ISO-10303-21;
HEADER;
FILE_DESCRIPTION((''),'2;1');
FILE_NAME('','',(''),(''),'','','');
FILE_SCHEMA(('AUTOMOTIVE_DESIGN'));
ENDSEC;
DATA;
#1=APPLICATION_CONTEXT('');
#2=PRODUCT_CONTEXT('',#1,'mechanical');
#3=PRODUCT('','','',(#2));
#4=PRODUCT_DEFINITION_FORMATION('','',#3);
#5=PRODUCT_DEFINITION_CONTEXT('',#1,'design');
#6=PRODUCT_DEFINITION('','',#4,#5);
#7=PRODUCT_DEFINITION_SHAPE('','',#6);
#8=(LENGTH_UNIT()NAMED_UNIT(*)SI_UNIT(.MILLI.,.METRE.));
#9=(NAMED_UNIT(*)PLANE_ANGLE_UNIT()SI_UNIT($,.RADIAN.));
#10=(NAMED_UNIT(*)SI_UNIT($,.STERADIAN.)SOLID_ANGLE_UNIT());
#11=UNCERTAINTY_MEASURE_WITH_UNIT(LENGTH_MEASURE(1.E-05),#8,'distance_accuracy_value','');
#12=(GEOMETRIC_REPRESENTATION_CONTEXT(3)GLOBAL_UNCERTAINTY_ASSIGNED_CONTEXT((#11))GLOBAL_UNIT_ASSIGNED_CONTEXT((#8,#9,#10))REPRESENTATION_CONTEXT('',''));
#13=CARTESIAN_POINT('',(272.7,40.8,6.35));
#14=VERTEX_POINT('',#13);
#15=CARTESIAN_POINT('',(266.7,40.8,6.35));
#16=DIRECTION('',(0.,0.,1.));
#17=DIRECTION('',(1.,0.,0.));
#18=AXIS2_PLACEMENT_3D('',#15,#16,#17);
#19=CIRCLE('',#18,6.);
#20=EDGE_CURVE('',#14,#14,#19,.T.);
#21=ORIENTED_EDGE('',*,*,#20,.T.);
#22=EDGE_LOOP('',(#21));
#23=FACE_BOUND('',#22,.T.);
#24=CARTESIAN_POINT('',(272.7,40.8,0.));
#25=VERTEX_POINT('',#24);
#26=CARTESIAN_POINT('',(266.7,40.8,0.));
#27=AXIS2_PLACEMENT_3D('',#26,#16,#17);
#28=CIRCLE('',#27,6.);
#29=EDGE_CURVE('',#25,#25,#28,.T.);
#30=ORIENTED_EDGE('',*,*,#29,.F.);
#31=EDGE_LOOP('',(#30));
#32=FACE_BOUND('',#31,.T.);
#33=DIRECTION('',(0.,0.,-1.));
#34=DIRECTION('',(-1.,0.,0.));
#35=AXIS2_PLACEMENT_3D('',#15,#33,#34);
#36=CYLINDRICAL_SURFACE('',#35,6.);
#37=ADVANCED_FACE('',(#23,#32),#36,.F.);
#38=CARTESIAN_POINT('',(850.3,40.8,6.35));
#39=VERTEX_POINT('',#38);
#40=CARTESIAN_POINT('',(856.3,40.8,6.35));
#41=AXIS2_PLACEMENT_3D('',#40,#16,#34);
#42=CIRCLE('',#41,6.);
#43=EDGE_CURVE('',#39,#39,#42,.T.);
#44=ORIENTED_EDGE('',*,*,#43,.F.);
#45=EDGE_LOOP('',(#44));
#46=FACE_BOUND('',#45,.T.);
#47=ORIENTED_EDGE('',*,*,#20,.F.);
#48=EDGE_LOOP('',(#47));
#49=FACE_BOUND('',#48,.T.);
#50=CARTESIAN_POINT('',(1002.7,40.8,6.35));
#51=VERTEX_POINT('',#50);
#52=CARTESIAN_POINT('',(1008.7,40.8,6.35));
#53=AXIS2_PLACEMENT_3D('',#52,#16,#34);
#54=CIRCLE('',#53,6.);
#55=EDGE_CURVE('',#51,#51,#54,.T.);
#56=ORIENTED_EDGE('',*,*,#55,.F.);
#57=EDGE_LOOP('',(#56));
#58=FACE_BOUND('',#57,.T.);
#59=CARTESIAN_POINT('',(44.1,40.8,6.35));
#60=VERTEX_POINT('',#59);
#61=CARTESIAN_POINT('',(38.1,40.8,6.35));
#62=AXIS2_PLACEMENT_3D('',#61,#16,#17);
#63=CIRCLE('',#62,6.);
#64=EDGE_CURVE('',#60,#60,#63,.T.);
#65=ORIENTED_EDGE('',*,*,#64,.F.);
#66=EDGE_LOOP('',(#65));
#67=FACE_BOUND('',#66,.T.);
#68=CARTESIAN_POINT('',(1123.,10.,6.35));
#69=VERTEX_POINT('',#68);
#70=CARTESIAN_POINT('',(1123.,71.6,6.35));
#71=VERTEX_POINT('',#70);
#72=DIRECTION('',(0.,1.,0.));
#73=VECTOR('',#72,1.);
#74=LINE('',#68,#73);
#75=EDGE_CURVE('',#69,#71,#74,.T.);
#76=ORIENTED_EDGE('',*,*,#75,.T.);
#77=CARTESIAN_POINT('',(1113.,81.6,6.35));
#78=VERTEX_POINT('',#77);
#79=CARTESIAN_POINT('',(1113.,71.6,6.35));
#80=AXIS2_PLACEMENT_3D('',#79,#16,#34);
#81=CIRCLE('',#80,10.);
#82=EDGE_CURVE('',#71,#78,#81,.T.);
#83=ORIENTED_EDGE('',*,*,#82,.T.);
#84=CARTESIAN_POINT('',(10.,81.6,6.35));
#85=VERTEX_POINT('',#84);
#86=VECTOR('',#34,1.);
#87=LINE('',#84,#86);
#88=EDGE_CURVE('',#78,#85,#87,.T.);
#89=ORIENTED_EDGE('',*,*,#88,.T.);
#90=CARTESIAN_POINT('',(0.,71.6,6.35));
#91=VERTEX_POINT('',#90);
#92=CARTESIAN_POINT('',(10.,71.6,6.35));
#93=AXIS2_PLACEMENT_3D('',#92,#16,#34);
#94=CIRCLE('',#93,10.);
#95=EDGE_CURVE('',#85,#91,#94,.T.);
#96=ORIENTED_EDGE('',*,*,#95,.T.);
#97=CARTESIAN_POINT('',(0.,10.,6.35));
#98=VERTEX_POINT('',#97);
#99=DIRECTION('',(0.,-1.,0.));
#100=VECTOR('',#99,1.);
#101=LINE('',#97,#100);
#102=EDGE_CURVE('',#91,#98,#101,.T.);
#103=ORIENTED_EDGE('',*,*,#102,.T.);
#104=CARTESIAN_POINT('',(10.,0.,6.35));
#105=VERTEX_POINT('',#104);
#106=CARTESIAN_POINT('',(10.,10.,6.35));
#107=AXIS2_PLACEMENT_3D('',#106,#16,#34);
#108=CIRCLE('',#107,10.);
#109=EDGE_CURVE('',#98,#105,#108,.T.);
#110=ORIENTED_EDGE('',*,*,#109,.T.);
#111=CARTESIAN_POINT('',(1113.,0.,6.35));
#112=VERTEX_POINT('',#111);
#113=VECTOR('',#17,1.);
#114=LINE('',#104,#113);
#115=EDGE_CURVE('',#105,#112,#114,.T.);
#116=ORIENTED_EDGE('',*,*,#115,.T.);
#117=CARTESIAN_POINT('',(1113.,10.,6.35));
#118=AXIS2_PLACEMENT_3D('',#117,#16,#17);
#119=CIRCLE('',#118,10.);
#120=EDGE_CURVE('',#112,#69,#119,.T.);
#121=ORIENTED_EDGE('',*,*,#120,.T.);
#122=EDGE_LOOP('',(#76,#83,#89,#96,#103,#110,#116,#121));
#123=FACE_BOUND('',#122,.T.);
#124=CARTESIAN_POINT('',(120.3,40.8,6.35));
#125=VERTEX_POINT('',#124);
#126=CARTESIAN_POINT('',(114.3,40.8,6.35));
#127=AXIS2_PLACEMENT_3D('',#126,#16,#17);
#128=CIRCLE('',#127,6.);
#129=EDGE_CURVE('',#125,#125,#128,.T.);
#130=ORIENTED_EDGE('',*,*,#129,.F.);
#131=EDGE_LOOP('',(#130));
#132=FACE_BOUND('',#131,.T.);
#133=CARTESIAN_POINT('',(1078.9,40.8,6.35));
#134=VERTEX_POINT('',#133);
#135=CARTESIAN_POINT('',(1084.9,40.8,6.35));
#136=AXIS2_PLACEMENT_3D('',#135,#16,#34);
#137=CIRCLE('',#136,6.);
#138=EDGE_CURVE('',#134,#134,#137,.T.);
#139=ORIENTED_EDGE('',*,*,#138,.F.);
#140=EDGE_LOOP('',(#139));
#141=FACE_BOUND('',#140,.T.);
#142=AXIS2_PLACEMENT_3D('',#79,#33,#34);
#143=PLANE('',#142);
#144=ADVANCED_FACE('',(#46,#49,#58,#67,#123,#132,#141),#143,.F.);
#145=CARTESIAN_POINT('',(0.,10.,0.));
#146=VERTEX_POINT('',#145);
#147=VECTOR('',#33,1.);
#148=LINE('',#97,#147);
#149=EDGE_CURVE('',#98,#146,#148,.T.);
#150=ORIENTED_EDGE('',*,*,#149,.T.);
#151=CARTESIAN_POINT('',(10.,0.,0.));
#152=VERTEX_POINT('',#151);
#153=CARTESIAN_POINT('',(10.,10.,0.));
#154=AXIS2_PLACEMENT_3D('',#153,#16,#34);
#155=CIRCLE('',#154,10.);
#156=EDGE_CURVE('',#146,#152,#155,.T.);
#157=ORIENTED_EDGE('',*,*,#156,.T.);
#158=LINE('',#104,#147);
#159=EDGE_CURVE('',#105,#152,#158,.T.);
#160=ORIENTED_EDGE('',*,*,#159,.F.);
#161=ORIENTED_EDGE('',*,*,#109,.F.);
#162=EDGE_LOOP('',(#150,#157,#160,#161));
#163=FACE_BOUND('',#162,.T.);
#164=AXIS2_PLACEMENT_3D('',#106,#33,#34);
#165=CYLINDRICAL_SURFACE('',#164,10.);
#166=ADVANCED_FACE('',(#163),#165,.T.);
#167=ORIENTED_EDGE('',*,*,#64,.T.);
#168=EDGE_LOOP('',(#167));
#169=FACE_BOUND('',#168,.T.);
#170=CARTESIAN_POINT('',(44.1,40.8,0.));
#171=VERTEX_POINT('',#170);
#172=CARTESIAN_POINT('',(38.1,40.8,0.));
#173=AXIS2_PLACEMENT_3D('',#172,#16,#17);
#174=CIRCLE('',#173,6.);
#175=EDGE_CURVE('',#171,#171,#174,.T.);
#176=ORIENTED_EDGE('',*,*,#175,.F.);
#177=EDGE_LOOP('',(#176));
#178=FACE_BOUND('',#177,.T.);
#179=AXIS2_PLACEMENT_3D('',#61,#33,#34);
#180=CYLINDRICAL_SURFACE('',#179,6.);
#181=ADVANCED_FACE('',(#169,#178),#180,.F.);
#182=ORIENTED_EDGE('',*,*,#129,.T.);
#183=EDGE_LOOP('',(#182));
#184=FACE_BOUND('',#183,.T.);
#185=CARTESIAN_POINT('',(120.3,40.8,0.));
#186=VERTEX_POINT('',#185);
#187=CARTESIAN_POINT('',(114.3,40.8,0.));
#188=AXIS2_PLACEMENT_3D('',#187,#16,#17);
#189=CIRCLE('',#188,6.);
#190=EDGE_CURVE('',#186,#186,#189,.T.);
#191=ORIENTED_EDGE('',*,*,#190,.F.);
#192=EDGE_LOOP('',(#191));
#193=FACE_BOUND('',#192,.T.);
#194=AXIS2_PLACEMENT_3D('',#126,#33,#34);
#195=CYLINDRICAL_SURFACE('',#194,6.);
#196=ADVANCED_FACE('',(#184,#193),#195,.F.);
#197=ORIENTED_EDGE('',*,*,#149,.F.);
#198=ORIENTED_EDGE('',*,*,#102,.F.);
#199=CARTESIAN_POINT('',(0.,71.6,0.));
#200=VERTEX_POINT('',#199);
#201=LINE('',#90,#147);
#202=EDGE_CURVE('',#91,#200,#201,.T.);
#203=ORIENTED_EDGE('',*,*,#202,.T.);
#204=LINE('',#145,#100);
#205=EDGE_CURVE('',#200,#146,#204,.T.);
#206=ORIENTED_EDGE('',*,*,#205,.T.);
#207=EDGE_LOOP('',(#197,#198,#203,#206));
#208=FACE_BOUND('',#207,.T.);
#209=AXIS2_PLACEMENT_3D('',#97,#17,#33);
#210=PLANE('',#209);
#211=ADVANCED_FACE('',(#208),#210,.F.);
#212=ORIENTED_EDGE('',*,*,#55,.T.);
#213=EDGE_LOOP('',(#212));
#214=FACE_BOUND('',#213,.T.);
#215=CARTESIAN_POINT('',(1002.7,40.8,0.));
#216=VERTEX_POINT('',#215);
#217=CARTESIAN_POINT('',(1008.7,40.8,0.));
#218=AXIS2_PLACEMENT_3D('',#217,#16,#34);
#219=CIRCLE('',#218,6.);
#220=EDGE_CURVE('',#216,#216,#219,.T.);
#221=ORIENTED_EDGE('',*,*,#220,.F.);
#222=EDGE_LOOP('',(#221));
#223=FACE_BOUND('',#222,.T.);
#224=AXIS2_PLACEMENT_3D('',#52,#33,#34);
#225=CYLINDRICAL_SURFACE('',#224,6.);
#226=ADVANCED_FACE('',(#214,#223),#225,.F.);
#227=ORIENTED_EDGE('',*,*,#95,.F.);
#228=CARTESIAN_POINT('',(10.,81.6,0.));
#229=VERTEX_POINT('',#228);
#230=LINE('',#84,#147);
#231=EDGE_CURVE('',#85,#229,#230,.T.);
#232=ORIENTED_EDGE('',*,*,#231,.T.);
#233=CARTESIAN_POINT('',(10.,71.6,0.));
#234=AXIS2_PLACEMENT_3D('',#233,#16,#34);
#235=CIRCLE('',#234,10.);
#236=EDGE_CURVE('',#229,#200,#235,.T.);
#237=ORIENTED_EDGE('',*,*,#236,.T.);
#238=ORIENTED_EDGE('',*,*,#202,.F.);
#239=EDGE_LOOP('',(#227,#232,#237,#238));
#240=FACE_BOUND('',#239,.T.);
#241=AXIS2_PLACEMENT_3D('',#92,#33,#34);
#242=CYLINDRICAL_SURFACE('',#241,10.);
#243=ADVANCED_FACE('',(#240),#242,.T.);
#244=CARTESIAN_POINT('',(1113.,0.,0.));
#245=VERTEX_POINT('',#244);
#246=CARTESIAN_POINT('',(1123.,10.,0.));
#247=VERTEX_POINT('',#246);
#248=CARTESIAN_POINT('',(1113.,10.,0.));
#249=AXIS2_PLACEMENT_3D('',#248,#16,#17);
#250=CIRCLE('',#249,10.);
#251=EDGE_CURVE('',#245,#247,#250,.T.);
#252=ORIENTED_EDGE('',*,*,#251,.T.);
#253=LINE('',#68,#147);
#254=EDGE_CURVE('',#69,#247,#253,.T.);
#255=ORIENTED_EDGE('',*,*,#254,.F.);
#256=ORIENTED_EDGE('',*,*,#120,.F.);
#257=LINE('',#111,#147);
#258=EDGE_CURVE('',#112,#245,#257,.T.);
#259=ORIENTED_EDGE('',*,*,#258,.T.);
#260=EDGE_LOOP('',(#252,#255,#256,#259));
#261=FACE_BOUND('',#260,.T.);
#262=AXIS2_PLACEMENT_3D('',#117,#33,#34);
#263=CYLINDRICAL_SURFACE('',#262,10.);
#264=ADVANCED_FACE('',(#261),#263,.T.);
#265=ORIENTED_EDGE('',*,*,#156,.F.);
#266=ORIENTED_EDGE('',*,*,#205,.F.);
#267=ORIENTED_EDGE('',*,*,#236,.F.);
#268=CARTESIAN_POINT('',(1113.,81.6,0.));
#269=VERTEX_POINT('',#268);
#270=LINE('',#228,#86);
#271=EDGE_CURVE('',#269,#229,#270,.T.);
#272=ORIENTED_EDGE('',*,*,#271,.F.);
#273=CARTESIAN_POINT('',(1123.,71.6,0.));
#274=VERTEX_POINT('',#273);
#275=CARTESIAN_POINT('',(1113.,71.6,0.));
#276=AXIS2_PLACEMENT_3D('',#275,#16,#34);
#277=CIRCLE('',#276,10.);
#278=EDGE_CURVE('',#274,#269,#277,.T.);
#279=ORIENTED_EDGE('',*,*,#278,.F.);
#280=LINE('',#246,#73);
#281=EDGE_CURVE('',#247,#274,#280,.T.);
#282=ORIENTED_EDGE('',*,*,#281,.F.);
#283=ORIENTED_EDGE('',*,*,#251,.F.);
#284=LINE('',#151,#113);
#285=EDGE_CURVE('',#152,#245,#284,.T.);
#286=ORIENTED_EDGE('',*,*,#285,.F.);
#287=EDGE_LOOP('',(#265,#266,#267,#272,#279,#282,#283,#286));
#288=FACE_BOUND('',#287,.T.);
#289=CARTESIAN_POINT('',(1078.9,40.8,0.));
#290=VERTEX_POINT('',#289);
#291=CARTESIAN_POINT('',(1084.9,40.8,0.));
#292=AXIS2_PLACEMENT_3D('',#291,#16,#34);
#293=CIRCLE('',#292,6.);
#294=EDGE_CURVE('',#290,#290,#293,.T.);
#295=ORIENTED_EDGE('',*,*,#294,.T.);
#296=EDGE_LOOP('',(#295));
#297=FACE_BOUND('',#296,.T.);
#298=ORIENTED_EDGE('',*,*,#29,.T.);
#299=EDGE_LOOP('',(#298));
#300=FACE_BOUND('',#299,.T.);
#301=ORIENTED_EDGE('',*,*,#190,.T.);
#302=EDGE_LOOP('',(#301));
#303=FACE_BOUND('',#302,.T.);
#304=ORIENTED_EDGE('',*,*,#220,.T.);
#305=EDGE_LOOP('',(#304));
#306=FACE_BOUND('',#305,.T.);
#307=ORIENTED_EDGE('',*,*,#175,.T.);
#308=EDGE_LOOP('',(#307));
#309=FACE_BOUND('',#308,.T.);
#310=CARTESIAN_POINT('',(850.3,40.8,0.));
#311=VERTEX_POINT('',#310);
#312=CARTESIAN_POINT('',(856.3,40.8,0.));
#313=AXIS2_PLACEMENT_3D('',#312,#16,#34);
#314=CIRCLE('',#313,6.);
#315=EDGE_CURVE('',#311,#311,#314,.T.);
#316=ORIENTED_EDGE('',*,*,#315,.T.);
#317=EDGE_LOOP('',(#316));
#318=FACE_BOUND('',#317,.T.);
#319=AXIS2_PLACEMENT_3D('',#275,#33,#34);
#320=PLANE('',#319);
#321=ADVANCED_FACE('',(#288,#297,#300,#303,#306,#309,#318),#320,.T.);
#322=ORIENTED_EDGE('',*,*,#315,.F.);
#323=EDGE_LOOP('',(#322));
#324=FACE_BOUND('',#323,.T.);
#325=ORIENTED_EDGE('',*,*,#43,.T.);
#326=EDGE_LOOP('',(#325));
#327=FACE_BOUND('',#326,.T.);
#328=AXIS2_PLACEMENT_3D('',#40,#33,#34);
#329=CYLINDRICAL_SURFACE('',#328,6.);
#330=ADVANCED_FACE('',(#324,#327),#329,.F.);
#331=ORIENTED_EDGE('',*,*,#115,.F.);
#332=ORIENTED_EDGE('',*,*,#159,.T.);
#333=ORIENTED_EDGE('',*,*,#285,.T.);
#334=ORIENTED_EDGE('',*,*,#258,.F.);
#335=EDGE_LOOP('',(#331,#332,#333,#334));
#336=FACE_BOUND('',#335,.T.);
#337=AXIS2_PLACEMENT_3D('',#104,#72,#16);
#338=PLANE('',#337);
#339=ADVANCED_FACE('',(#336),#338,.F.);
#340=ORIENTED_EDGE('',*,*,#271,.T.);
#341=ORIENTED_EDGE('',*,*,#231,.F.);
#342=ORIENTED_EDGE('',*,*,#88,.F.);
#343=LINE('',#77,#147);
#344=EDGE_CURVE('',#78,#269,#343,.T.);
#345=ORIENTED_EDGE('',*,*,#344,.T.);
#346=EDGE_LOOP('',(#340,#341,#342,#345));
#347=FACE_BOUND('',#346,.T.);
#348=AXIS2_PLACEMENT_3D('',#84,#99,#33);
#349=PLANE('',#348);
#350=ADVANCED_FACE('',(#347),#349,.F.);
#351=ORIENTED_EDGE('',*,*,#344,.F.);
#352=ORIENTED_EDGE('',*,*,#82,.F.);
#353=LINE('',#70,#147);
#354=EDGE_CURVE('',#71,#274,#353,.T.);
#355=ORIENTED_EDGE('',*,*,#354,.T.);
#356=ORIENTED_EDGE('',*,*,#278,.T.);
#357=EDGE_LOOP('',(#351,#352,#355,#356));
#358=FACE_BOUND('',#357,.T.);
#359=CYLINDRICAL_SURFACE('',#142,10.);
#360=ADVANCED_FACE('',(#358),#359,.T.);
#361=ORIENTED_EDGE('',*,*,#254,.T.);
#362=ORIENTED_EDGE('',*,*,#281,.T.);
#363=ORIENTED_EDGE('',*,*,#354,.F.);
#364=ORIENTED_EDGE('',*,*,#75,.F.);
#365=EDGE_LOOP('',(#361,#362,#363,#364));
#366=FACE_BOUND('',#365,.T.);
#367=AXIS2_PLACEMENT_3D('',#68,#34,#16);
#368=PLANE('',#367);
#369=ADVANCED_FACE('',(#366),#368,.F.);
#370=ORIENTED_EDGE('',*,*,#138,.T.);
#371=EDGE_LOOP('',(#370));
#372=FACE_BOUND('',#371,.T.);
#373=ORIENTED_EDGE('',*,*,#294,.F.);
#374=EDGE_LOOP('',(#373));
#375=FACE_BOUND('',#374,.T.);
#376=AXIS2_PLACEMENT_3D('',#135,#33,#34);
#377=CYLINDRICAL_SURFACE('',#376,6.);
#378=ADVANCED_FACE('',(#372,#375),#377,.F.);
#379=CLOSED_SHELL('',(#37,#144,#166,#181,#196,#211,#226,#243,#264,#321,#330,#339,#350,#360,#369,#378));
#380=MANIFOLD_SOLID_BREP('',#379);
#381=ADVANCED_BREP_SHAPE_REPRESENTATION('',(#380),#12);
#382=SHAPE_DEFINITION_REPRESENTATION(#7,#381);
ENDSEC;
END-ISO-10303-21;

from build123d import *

# Parameters (mm, degrees)
SKETCH1_R           = 6
BOSS_EXTRUDE1_DEPTH = 6.35


with BuildPart() as part:
    # Sketch1 → Boss-Extrude1 (new body)
    with BuildSketch(Plane.XY):
        with BuildLine():
            Line((10, 0), (1113, 0))
            ThreePointArc((1113, 0), (1120.071067812, 2.928932188), (1123, 10))
            Line((1123, 10), (1123, 71.6))
            ThreePointArc((1123, 71.6), (1120.071067812, 78.671067812), (1113, 81.6))
            Line((1113, 81.6), (10, 81.6))
            ThreePointArc((10, 81.6), (2.928932188, 78.671067812), (0, 71.6))
            Line((0, 71.6), (0, 10))
            ThreePointArc((0, 10), (2.928932188, 2.928932188), (10, 0))
        make_face()
        with Locations((38.1, 40.8)):
            Circle(SKETCH1_R, mode=Mode.SUBTRACT)
        with Locations((114.3, 40.8)):
            Circle(SKETCH1_R, mode=Mode.SUBTRACT)
        with Locations((266.7, 40.8)):
            Circle(SKETCH1_R, mode=Mode.SUBTRACT)
        with Locations(Location((856.3, 40.8, 0), (0, 0, 180))):
            Circle(SKETCH1_R, mode=Mode.SUBTRACT)
        with Locations(Location((1008.7, 40.8, 0), (0, 0, 180))):
            Circle(SKETCH1_R, mode=Mode.SUBTRACT)
        with Locations(Location((1084.9, 40.8, 0), (0, 0, 180))):
            Circle(SKETCH1_R, mode=Mode.SUBTRACT)
    extrude(amount=BOSS_EXTRUDE1_DEPTH)


solid = part.part
